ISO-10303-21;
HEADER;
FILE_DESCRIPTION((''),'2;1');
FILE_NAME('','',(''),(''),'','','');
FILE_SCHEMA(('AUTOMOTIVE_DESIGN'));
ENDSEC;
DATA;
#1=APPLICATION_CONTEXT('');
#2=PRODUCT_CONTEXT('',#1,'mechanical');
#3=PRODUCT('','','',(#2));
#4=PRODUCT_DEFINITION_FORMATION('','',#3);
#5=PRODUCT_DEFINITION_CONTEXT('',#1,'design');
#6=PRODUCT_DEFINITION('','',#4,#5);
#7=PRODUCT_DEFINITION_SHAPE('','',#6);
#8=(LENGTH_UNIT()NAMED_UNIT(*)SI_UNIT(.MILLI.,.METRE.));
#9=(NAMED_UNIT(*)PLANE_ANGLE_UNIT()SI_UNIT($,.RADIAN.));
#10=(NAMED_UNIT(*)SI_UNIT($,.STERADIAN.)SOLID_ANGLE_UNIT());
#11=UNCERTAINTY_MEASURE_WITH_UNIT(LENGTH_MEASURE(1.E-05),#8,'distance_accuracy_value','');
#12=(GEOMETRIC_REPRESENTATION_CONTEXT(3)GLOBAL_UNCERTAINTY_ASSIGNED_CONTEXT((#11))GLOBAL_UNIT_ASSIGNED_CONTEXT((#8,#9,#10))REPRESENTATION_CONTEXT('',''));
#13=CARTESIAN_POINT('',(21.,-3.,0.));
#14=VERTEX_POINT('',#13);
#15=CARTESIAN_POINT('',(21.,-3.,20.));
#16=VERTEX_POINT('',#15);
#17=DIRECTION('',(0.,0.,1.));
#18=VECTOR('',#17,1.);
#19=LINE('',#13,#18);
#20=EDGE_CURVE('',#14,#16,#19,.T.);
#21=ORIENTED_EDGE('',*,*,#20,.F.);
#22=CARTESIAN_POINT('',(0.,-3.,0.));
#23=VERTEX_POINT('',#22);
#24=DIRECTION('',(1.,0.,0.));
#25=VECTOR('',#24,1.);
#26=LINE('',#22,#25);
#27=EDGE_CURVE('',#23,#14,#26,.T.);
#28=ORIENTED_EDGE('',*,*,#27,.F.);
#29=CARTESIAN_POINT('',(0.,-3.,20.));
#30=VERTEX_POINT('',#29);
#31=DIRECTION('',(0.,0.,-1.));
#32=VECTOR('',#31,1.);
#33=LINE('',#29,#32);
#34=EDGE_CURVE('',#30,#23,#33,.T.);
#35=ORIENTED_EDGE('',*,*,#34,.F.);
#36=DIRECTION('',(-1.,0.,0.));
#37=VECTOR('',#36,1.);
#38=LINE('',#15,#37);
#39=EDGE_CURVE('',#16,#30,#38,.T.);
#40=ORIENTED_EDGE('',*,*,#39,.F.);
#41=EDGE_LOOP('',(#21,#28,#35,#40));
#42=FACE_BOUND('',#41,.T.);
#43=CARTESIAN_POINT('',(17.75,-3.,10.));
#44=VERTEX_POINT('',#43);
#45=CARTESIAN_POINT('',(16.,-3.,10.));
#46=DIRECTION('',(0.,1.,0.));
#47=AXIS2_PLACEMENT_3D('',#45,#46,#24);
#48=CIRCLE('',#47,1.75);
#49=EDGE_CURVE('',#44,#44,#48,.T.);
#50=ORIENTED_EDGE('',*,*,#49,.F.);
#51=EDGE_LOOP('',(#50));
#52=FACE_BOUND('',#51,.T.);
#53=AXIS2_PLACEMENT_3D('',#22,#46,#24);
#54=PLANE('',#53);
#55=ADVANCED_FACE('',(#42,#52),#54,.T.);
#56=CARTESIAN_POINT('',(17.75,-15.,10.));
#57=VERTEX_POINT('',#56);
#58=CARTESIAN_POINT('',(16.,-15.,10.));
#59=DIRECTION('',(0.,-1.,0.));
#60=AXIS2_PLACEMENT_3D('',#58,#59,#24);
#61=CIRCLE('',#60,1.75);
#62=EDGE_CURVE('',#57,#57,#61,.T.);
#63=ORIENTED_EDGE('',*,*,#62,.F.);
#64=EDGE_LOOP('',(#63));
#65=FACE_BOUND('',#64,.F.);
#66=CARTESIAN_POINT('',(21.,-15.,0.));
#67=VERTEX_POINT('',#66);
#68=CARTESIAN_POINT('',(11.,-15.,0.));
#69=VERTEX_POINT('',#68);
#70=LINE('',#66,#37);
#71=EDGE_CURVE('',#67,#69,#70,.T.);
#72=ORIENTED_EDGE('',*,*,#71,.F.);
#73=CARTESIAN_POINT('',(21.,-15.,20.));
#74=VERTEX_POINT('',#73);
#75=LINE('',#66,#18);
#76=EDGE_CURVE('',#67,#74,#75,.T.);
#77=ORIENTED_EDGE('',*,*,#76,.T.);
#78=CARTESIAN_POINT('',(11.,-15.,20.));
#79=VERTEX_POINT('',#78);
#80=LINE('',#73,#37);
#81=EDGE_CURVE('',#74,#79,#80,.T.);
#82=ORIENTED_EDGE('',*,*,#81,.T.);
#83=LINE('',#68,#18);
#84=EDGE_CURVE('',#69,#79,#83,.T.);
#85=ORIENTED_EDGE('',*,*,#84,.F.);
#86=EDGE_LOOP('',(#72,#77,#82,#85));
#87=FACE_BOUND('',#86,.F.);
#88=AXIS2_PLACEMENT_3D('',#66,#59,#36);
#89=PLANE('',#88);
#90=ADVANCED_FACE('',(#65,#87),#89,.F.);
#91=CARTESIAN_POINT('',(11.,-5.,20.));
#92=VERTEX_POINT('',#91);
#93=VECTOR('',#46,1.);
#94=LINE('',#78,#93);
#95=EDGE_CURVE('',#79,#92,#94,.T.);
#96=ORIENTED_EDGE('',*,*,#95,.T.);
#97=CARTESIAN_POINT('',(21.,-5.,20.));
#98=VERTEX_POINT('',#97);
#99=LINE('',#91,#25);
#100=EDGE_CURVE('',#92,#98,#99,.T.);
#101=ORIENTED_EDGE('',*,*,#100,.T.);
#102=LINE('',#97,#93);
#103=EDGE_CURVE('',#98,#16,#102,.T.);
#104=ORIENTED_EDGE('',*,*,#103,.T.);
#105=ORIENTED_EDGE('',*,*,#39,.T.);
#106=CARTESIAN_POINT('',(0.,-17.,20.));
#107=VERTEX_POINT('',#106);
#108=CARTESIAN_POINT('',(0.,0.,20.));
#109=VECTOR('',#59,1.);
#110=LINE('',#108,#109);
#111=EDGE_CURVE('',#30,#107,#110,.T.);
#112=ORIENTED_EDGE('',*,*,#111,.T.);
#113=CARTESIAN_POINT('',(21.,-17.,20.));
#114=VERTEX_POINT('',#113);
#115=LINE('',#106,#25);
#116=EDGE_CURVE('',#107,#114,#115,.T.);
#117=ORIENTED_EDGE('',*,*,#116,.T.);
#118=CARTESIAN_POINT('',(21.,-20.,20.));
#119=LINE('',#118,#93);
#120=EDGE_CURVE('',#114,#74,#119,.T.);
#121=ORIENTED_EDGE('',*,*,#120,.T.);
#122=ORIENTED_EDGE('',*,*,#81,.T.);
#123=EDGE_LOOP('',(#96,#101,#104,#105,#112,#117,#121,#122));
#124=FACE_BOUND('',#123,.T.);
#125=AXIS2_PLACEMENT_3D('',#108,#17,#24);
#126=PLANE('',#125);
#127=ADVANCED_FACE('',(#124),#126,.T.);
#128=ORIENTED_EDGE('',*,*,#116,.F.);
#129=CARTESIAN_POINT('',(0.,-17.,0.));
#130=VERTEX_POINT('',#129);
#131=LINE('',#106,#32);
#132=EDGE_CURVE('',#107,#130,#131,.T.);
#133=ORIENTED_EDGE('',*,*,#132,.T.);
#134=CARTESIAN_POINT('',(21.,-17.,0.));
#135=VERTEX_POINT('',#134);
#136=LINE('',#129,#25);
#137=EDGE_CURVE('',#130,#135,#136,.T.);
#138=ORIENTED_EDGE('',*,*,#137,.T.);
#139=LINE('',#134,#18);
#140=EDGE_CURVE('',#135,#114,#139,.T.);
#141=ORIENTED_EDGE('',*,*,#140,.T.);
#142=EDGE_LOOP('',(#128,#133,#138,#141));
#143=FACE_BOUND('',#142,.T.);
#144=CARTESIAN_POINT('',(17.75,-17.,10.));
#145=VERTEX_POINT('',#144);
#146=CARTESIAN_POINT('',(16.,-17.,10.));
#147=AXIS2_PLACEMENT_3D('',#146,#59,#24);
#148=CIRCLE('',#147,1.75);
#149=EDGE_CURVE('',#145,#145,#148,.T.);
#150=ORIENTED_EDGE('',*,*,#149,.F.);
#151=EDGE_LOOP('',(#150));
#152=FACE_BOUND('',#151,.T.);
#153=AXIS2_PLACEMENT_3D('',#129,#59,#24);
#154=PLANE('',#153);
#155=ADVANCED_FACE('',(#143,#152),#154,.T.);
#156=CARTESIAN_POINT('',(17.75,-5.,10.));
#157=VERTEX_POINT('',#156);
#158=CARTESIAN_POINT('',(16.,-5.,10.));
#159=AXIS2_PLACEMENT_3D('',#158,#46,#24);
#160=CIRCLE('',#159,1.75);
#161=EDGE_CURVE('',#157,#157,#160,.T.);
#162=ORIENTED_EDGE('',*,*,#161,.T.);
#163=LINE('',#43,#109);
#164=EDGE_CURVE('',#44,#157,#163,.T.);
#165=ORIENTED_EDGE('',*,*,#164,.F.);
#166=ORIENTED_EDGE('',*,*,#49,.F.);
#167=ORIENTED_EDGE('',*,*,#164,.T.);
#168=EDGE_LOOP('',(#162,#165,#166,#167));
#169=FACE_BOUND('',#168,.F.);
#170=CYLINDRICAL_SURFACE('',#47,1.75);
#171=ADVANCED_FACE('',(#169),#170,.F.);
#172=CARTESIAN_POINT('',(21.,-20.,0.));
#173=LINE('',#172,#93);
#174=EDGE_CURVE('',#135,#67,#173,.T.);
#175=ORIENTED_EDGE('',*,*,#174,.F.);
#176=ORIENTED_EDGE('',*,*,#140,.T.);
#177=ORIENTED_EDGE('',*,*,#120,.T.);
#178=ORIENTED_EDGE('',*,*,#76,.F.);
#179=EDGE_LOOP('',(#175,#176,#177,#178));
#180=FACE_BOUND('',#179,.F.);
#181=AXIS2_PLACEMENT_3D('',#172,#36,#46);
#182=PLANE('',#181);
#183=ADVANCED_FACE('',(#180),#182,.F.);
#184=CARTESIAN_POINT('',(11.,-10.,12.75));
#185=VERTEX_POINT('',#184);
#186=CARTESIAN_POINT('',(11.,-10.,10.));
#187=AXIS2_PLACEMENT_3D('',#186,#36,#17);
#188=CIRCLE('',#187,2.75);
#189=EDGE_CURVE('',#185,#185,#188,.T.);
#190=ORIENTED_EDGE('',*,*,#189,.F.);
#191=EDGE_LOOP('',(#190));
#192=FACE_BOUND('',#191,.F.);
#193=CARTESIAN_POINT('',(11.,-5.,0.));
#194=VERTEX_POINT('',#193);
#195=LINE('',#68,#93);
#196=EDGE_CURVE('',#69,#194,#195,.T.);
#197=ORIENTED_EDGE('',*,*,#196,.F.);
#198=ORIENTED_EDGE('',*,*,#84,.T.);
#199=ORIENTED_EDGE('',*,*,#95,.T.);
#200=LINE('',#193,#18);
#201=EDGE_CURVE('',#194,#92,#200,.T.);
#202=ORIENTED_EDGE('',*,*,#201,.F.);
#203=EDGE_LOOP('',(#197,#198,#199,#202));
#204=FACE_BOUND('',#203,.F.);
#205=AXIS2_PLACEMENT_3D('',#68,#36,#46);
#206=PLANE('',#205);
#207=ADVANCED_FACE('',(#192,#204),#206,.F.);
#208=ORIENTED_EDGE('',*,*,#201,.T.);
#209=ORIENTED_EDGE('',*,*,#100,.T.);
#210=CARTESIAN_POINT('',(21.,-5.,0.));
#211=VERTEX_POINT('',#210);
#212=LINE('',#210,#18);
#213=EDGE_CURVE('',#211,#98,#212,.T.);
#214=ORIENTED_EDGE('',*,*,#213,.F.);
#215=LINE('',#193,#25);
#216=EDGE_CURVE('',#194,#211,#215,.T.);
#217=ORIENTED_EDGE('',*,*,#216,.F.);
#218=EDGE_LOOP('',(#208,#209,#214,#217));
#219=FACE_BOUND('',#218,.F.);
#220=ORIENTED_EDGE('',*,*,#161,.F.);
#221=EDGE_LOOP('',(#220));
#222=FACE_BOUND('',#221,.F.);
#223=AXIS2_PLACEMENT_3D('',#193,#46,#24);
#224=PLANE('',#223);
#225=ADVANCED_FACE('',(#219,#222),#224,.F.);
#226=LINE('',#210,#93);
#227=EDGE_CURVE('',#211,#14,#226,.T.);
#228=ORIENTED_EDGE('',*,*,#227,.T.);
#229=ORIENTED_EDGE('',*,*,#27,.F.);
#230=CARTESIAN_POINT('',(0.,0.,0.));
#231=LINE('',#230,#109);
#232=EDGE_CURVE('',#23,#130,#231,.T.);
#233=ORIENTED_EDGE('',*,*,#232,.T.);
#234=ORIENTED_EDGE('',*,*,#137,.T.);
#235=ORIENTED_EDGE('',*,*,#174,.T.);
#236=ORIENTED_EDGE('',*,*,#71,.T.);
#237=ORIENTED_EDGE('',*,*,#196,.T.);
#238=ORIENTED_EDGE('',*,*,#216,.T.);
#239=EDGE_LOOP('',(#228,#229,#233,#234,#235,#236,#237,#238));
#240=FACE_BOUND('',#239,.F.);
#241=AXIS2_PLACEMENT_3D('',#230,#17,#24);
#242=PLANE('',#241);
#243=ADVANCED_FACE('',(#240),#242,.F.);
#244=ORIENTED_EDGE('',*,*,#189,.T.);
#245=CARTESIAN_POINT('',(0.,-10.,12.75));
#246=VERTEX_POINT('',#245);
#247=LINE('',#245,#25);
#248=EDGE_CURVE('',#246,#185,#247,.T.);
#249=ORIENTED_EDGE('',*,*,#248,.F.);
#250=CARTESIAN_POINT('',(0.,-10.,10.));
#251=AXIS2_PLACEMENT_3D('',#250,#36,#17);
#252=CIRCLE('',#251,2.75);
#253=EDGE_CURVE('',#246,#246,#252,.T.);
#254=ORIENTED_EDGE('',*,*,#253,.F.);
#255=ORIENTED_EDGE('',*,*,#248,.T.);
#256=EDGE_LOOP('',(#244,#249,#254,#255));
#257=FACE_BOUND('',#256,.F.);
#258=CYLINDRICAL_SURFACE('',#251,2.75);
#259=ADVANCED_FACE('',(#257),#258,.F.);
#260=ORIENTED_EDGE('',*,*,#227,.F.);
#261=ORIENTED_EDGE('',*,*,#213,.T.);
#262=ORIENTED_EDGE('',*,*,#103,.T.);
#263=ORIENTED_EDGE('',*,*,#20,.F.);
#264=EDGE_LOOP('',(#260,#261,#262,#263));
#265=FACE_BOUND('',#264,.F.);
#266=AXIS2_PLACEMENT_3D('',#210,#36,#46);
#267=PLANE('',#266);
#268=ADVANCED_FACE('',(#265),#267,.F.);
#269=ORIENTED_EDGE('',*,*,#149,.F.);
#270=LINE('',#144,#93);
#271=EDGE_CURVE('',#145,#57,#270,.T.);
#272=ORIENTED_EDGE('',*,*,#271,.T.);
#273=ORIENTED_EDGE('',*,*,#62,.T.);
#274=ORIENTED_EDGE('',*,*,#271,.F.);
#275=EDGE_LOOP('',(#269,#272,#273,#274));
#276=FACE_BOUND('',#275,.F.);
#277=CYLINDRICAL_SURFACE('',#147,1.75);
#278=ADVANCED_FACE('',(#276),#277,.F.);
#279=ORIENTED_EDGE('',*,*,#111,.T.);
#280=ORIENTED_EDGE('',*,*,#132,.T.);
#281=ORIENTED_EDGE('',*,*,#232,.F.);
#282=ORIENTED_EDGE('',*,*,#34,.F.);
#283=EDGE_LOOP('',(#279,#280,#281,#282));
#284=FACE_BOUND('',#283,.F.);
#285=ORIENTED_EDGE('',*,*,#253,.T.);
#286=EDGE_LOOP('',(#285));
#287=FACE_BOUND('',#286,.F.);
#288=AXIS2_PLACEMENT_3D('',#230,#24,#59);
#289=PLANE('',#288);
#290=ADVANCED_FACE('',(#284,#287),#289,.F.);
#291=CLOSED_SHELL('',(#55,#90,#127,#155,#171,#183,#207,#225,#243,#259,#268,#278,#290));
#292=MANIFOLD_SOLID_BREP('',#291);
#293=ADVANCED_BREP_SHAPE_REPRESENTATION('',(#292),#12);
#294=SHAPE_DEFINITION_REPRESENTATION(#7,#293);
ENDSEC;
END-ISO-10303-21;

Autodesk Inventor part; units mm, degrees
ref_plane "YZ Plane" through (0, 0, 0) normal (1, 0, 0) x (0, 1, 0)
ref_plane "XZ Plane" through (0, 0, 0) normal (0, 1, 0) x (-1, 0, 0)
ref_plane "XY Plane" through (0, 0, 0) normal (0, 0, 1) x (1, 0, 0)
sketch "Sketch1" plane through (0, 0, 0) normal (0, 0, 1) x (1, 0, 0)
  line L0 (0, 0) -> (0, -20)
  line L1 (0, -20) -> (21, -20)
  line L2 (21, -20) -> (21, -15)
  line L3 (21, -15) -> (11, -15)
  line L4 (11, -15) -> (11, -5)
  line L5 (11, -5) -> (21, -5)
  line L6 (21, -5) -> (21, 0)
  line L7 (21, 0) -> (0, 0)
  dimension "d0" = 20
  dimension "d1" = 21
  dimension "d2" = 5
  dimension "d3" = 10
  dimension "d4" = 10
  dimension "d5" = 90
extrude "Extrusion1" add sketch "Sketch1" along normal blind 20
sketch "Sketch2" plane through (0, 0, 20) normal (0, 0, 1) x (1, 0, 0)
  point P0 (0, 0)
sketch "Sketch3" plane through (0, -20, 0) normal (-1, 0, 0) x (0, 0, 1)
  point P0 (0, 20)
sketch "Sketch4" plane through (0, -20, 0) normal (-1, 0, 0) x (0, 0, 1)
  line L0 (20, 20) -> (20, 0) projected
  line L1 (0, 20) -> (20, 20)
  line L2 (20, 20) -> (20, 0)
  line L3 (20, 0) -> (0, 0)
  line L4 (0, 0) -> (0, 20)
  circle A0 centre (10, 10) radius 2.75
  dimension "d8" = 5.5
  dimension "d9" = 10
  dimension "d10" = 10
extrude "Extrusion2" cut sketch "Sketch4" against normal blind 11 contours A0
sketch "Sketch5" plane through (0, 0, 0) normal (0, 1, 0) x (1, 0, 0)
  point P0 (0, 0)
sketch "Sketch6" plane through (0, 0, 0) normal (0, 1, 0) x (1, 0, 0)
  line L0 (21, 0) -> (21, -20) projected
  line L1 (0, 0) -> (21, 0)
  line L2 (21, 0) -> (21, -20)
  line L3 (21, -20) -> (0, -20)
  line L4 (0, -20) -> (0, 0)
extrude "Extrusion3" cut sketch "Sketch6" against normal blind 3
sketch "Sketch7" plane through (0, -20, 0) normal (0, -1, 0) x (1, 0, 0)
  line L0 (0, 0) -> (21, 0) projected
  line L1 (0, 20) -> (21, 20) projected
  line L2 (0, 0) -> (21, 0)
  line L3 (21, 0) -> (21, 20)
  line L4 (21, 20) -> (0, 20)
  line L5 (0, 20) -> (0, 0)
extrude "Extrusion4" cut sketch "Sketch7" against normal blind 3
sketch "Sketch8" plane through (0, -3, 0) normal (0, 1, 0) x (1, 0, 0)
  point P0 (0, 0)
sketch "Sketch9" plane through (0, -3, 0) normal (0, 1, 0) x (1, 0, 0)
  line L0 (0, -20) -> (21, -20) projected
  line L1 (0, 0) -> (21, 0)
  line L2 (21, 0) -> (21, -20)
  line L3 (21, -20) -> (0, -20)
  line L4 (0, -20) -> (0, 0)
  line L5 (0, 0) -> (21, 0) projected
  line L6 (0, 0) -> (11, 0)
  line L7 (11, 0) -> (11, -20)
  circle A0 centre (16, -10) radius 1.75
  dimension "d17" = 11
  dimension "d18" = 3.5
  dimension "d19" = 5
  dimension "d20" = 10
extrude "Extrusion5" cut sketch "Sketch9" against normal blind 3.5 contours A0
sketch "Sketch10" plane through (0, -17, 0) normal (0, -1, 0) x (1, 0, 0)
  line L0 (11, 20) -> (21, 20) projected
  line L1 (0, 0) -> (21, 0)
  line L2 (21, 0) -> (21, 20)
  line L3 (21, 20) -> (0, 20)
  line L4 (0, 20) -> (0, 0)
  line L5 (11, 0) -> (11, 20) projected
  line L6 (11, 20) -> (11, 0)
  circle A0 centre (16, 10) radius 1.75
  dimension "d23" = 3.5
  dimension "d24" = 5
  dimension "d25" = 10
extrude "Extrusion6" cut sketch "Sketch10" against normal blind 3.5 contours A0
properties part number "Encaixe Bandeja-Motor"
